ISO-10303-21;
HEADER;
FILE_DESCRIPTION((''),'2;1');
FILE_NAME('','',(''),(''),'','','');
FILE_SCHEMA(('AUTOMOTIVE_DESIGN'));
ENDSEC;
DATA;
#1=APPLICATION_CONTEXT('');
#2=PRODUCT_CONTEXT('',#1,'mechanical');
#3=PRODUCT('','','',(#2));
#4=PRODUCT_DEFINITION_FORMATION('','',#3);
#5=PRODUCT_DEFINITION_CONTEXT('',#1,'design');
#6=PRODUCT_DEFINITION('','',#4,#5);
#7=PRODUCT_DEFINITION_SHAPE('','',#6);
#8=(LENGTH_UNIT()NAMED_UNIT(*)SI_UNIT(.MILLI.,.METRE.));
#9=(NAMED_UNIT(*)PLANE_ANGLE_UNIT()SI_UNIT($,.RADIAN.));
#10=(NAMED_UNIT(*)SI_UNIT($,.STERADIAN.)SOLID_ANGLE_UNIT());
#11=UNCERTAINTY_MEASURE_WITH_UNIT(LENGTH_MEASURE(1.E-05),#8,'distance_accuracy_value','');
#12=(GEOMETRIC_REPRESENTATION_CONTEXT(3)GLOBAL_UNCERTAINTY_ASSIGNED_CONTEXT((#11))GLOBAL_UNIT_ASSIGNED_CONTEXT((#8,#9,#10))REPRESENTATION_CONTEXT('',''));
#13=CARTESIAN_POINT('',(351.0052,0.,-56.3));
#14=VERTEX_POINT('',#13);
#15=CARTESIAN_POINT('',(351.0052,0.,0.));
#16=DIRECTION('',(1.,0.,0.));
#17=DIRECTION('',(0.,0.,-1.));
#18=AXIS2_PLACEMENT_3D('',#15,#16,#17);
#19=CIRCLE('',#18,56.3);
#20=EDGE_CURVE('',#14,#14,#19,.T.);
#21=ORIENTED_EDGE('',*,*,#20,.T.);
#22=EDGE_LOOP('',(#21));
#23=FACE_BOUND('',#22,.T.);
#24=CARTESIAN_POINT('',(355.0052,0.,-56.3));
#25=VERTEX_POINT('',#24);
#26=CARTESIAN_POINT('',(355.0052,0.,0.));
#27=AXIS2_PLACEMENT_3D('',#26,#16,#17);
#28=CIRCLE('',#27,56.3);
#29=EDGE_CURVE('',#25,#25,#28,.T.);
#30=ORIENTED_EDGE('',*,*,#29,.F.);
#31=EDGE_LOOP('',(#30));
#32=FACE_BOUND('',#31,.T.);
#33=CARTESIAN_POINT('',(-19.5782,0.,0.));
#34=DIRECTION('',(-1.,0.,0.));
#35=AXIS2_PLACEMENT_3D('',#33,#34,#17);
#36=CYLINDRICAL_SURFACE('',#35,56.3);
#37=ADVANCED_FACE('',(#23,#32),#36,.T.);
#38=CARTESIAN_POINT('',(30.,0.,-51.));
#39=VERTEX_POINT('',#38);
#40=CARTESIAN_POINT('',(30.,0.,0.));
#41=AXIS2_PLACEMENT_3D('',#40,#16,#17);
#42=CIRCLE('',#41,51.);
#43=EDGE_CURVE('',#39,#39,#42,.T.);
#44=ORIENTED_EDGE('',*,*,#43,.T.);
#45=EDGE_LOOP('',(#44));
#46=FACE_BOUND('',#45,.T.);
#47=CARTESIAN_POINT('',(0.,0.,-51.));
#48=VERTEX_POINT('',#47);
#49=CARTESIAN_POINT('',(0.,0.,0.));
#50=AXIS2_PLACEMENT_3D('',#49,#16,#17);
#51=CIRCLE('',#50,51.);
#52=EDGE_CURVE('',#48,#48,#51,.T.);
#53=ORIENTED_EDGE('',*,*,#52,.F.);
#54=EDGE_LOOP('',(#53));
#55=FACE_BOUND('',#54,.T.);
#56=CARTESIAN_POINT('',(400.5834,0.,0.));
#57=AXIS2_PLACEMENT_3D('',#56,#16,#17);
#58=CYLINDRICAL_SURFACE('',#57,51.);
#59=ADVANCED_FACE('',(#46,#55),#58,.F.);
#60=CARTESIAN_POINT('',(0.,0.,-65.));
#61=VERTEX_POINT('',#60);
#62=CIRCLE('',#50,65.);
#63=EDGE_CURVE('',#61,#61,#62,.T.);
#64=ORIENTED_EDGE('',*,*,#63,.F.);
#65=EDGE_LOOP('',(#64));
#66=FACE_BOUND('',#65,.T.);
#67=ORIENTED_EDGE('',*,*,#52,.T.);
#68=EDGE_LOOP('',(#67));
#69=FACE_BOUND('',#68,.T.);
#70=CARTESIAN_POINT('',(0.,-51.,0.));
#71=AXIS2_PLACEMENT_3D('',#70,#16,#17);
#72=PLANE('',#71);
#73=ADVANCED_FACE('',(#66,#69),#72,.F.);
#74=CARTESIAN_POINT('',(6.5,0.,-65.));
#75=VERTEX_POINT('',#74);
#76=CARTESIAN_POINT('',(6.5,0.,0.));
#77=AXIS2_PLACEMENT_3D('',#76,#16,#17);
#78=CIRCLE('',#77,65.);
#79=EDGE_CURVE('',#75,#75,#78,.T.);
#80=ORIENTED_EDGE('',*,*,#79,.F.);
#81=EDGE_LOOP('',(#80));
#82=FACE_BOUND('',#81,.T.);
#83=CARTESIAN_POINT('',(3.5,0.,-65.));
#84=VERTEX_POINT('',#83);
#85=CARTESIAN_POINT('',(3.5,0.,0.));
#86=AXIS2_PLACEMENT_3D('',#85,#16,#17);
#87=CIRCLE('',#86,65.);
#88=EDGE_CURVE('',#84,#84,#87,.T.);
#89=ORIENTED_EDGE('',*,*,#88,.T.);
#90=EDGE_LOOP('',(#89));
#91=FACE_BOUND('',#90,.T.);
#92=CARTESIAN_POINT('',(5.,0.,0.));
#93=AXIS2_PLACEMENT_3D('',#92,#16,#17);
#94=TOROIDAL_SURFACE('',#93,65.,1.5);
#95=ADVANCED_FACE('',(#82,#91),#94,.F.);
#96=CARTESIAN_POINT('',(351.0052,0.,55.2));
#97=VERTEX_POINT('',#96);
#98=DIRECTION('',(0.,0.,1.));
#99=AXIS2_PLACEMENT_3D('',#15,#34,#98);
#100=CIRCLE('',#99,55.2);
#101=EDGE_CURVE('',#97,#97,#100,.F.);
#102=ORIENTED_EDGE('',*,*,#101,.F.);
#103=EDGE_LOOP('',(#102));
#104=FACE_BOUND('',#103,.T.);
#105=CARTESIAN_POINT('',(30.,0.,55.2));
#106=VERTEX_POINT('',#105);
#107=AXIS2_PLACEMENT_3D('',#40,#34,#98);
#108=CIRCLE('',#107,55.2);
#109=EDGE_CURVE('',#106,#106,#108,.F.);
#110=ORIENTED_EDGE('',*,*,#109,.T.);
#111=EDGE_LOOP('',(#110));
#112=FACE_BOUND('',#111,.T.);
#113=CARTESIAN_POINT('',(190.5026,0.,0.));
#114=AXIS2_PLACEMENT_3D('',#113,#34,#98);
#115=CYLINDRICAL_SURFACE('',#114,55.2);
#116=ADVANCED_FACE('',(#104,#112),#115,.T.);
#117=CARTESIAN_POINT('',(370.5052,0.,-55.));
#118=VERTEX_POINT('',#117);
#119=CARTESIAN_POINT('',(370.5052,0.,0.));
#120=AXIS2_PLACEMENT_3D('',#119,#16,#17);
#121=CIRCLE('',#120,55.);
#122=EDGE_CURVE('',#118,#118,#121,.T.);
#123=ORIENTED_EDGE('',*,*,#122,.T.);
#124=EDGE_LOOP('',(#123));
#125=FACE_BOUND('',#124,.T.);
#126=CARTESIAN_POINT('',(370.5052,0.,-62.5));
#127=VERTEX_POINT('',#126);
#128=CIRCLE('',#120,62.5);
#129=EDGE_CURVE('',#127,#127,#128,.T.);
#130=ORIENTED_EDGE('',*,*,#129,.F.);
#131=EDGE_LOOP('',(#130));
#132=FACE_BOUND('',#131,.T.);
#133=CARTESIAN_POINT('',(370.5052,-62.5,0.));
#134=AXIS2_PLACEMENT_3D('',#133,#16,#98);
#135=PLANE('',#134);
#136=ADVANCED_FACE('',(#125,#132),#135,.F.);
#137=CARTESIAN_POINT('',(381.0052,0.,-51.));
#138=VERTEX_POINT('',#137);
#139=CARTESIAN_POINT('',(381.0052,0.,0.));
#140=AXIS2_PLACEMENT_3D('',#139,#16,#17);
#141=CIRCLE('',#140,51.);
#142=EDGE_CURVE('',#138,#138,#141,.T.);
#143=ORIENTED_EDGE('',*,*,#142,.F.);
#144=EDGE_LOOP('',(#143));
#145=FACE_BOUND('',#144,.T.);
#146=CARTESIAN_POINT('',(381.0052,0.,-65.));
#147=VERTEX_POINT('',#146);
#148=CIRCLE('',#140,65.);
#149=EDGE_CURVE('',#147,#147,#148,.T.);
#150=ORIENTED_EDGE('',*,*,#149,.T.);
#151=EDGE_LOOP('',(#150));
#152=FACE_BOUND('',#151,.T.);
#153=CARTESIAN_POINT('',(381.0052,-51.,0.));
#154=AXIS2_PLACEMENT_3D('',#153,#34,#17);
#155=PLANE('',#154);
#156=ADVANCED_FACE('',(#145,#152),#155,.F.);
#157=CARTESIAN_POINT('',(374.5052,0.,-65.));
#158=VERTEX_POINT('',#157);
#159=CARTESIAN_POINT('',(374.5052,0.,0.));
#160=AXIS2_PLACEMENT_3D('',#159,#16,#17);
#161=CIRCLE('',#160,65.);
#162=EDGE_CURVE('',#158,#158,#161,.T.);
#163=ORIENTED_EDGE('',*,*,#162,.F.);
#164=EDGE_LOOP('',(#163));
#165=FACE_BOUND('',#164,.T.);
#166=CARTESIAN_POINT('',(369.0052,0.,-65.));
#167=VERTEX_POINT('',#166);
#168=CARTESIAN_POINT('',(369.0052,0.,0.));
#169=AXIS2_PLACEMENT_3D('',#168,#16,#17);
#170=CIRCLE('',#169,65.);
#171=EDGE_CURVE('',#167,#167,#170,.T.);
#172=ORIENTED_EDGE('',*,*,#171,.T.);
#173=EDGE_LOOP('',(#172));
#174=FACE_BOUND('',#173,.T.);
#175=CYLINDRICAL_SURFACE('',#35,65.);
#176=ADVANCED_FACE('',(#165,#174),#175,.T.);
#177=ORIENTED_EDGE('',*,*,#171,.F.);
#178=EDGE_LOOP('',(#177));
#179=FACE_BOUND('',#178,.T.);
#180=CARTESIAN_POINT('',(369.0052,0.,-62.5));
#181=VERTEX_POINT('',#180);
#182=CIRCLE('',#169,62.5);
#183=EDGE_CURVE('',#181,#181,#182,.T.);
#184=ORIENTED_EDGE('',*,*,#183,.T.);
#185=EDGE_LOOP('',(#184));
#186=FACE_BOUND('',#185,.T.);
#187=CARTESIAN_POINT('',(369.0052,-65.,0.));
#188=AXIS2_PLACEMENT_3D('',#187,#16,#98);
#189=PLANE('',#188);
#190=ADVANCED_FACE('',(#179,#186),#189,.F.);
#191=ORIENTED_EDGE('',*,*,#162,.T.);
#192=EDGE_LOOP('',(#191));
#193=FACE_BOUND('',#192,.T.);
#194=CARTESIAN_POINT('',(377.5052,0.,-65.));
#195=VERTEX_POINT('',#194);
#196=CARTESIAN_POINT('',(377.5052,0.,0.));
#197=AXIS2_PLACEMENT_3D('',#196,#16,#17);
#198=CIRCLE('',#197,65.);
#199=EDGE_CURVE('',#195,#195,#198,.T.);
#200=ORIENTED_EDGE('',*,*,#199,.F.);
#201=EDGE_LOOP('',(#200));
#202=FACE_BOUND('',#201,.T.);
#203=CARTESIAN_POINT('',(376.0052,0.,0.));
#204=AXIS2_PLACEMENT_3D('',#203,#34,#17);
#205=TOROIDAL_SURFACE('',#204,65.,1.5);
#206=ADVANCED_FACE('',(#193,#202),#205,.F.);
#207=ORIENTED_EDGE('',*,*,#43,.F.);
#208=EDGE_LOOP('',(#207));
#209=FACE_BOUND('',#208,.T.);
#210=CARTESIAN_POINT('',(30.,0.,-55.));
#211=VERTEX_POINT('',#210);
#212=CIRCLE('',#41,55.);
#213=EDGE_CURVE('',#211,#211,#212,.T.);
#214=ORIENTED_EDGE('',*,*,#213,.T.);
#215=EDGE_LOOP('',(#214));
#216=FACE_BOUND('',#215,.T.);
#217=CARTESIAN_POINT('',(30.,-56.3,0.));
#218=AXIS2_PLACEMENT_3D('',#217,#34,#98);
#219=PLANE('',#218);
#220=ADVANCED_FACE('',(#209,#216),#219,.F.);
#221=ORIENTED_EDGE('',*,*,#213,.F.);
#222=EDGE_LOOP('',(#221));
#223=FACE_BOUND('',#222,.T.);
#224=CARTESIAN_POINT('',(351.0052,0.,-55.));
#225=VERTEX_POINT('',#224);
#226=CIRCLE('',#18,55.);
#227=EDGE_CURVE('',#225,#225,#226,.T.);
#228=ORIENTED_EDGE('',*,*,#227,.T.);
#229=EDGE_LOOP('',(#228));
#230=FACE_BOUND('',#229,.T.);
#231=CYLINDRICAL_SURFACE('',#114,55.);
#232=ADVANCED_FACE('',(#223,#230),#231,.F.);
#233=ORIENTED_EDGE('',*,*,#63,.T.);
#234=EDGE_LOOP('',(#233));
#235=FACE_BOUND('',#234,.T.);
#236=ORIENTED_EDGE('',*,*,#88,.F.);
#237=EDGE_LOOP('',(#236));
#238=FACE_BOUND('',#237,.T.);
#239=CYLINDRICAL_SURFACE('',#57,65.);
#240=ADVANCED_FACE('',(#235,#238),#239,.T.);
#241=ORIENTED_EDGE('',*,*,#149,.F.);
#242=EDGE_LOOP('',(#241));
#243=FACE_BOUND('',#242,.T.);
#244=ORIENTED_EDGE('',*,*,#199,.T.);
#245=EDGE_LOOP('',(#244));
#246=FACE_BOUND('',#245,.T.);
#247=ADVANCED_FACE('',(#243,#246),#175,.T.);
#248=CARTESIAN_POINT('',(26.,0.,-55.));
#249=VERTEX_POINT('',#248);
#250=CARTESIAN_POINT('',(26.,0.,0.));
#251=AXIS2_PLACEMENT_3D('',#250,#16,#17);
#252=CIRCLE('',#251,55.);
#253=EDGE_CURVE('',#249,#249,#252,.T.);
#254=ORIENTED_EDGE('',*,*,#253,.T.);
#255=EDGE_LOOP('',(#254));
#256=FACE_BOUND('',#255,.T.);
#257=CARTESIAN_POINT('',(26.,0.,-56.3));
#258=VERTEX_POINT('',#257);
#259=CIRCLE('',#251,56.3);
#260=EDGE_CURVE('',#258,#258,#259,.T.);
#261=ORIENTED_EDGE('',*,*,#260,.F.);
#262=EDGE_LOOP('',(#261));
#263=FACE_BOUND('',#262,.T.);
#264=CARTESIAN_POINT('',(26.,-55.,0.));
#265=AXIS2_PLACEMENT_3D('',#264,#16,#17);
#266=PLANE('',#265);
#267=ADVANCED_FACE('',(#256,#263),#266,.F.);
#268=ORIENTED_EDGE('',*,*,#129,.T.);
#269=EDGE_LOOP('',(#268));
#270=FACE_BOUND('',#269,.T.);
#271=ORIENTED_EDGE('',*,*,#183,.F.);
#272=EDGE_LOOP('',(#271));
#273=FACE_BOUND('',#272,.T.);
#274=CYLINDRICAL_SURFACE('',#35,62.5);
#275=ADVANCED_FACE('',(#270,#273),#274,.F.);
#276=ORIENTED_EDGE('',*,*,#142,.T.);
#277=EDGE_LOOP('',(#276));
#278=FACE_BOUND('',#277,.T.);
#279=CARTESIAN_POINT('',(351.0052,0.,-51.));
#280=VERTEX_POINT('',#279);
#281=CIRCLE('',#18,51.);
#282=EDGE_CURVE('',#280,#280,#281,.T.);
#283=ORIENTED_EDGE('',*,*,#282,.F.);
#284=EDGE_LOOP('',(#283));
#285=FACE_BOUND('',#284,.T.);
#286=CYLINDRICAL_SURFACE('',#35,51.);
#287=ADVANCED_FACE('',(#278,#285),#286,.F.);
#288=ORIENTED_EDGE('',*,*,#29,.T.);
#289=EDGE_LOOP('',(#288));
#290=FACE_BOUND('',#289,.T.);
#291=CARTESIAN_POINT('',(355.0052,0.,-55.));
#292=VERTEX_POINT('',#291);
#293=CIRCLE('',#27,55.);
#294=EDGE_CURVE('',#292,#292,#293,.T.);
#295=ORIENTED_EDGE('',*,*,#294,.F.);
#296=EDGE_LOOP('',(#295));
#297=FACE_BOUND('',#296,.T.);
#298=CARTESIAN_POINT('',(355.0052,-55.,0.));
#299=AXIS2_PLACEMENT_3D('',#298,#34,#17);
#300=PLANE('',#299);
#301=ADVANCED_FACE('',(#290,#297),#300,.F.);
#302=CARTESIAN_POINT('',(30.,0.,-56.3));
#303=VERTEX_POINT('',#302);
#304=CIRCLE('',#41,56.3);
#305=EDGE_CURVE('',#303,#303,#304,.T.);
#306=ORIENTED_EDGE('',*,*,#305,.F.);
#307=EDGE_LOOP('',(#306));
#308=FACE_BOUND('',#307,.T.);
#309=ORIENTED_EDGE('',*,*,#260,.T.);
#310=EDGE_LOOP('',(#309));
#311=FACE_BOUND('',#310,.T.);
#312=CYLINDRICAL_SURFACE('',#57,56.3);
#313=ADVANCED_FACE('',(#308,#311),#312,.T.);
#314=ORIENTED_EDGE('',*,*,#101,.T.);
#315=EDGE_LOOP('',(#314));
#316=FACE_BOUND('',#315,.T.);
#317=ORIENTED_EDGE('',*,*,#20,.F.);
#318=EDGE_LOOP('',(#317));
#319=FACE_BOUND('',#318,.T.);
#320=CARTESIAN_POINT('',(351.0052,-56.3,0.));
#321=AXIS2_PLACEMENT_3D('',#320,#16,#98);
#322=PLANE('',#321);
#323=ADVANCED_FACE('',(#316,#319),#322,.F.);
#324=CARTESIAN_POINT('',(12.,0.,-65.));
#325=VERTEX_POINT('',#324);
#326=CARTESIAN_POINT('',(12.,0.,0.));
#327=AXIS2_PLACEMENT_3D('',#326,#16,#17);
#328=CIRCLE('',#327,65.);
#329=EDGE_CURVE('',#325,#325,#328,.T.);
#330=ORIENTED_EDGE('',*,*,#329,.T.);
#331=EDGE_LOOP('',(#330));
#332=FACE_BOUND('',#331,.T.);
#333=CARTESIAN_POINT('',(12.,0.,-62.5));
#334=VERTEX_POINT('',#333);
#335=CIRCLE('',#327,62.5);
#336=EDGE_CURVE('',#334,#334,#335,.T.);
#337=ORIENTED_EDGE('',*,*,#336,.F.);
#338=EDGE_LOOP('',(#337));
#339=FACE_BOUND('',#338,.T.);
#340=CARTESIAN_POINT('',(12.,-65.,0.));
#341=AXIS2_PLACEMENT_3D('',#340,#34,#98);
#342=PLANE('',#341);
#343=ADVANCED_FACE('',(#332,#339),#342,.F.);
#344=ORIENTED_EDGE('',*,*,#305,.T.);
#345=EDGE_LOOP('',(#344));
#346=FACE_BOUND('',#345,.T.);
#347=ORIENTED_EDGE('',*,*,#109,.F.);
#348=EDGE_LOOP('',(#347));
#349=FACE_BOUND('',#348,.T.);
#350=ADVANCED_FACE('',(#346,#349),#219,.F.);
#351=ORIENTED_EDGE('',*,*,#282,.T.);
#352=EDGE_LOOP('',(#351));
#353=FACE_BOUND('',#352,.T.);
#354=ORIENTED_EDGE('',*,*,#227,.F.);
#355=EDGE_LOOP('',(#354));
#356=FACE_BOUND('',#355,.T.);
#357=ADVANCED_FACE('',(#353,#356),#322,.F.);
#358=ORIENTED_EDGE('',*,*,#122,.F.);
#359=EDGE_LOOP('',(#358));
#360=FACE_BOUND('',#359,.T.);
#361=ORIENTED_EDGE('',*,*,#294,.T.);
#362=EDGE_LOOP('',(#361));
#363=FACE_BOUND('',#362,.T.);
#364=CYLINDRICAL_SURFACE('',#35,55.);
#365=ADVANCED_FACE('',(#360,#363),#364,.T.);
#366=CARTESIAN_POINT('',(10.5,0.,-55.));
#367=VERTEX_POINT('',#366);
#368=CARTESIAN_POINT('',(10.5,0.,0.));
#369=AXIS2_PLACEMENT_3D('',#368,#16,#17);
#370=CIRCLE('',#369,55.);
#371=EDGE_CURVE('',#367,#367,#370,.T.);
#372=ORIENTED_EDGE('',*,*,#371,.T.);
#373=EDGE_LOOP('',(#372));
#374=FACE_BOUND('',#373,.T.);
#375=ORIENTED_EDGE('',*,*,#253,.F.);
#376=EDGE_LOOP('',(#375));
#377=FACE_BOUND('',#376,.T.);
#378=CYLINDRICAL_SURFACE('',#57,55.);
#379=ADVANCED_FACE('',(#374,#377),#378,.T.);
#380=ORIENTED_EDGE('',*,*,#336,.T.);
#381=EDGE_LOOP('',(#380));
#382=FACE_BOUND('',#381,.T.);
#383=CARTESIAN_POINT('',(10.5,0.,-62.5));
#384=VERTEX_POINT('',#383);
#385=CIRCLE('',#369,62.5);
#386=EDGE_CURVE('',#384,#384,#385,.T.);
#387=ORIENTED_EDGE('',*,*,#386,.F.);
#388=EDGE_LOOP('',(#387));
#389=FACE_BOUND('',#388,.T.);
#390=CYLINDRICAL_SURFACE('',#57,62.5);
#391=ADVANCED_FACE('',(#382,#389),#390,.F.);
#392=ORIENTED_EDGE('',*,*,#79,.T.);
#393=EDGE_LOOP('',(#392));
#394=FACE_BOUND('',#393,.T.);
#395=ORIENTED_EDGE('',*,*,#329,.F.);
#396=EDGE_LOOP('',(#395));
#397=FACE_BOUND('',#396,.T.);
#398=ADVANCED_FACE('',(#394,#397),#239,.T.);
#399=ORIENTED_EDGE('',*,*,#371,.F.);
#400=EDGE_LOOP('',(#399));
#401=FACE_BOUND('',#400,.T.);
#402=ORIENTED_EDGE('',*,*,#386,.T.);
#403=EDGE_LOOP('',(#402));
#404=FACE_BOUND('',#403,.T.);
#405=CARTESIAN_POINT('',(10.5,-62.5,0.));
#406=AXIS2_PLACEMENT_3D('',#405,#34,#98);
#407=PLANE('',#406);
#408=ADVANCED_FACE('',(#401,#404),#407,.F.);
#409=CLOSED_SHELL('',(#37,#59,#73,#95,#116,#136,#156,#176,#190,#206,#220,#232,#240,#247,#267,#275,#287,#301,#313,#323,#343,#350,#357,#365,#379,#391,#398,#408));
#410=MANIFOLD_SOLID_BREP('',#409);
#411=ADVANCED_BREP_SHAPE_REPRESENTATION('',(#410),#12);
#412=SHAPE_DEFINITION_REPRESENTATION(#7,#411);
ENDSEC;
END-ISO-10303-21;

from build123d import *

# Parameters (mm, degrees)
EXTRUDE_THIN1_START = 160.5026
SKETCH3_R           = 55.2
SKETCH3_R_2         = 55
EXTRUDE_THIN1_DEPTH = 160.5026


with BuildPart() as part:
    # Sketch2 → Revolve2 (revolve)
    with BuildSketch(Plane.XY):
        with BuildLine():
            Line((0, -51), (0, -65))
            Line((0, -65), (3.5, -65))
            ThreePointArc((3.5, -65), (5, -63.5), (6.5, -65))
            Line((6.5, -65), (12, -65))
            Line((12, -65), (12, -62.5))
            Line((12, -62.5), (10.5, -62.5))
            Line((10.5, -62.5), (10.5, -55))
            Line((10.5, -55), (26, -55))
            Line((26, -55), (26, -56.3))
            Line((26, -56.3), (30, -56.3))
            Line((30, -56.3), (30, -51))
            Line((30, -51), (0, -51))
        make_face()
    revolve2 = revolve(axis=Axis((400.5834, 0, 0), (-1, 0, 0)))

    # Sketch3 → Extrude-Thin1 (add)
    with BuildSketch(Plane(origin=(30, 0, 0), x_dir=(0, 0, -1), z_dir=(1, 0, 0)).offset(EXTRUDE_THIN1_START)):
        Circle(SKETCH3_R)
        Circle(SKETCH3_R_2, mode=Mode.SUBTRACT)
    extrude_thin1 = extrude(amount=-EXTRUDE_THIN1_DEPTH)

    # Mirror1: Revolve2, Extrude-Thin1 across plane
    add(revolve2.mirror(Plane(origin=(190.5026, 0, 0), x_dir=(0, 0, 1), z_dir=(1, 0, 0))))
    add(extrude_thin1.mirror(Plane(origin=(190.5026, 0, 0), x_dir=(0, 0, 1), z_dir=(1, 0, 0))))


solid = part.part
